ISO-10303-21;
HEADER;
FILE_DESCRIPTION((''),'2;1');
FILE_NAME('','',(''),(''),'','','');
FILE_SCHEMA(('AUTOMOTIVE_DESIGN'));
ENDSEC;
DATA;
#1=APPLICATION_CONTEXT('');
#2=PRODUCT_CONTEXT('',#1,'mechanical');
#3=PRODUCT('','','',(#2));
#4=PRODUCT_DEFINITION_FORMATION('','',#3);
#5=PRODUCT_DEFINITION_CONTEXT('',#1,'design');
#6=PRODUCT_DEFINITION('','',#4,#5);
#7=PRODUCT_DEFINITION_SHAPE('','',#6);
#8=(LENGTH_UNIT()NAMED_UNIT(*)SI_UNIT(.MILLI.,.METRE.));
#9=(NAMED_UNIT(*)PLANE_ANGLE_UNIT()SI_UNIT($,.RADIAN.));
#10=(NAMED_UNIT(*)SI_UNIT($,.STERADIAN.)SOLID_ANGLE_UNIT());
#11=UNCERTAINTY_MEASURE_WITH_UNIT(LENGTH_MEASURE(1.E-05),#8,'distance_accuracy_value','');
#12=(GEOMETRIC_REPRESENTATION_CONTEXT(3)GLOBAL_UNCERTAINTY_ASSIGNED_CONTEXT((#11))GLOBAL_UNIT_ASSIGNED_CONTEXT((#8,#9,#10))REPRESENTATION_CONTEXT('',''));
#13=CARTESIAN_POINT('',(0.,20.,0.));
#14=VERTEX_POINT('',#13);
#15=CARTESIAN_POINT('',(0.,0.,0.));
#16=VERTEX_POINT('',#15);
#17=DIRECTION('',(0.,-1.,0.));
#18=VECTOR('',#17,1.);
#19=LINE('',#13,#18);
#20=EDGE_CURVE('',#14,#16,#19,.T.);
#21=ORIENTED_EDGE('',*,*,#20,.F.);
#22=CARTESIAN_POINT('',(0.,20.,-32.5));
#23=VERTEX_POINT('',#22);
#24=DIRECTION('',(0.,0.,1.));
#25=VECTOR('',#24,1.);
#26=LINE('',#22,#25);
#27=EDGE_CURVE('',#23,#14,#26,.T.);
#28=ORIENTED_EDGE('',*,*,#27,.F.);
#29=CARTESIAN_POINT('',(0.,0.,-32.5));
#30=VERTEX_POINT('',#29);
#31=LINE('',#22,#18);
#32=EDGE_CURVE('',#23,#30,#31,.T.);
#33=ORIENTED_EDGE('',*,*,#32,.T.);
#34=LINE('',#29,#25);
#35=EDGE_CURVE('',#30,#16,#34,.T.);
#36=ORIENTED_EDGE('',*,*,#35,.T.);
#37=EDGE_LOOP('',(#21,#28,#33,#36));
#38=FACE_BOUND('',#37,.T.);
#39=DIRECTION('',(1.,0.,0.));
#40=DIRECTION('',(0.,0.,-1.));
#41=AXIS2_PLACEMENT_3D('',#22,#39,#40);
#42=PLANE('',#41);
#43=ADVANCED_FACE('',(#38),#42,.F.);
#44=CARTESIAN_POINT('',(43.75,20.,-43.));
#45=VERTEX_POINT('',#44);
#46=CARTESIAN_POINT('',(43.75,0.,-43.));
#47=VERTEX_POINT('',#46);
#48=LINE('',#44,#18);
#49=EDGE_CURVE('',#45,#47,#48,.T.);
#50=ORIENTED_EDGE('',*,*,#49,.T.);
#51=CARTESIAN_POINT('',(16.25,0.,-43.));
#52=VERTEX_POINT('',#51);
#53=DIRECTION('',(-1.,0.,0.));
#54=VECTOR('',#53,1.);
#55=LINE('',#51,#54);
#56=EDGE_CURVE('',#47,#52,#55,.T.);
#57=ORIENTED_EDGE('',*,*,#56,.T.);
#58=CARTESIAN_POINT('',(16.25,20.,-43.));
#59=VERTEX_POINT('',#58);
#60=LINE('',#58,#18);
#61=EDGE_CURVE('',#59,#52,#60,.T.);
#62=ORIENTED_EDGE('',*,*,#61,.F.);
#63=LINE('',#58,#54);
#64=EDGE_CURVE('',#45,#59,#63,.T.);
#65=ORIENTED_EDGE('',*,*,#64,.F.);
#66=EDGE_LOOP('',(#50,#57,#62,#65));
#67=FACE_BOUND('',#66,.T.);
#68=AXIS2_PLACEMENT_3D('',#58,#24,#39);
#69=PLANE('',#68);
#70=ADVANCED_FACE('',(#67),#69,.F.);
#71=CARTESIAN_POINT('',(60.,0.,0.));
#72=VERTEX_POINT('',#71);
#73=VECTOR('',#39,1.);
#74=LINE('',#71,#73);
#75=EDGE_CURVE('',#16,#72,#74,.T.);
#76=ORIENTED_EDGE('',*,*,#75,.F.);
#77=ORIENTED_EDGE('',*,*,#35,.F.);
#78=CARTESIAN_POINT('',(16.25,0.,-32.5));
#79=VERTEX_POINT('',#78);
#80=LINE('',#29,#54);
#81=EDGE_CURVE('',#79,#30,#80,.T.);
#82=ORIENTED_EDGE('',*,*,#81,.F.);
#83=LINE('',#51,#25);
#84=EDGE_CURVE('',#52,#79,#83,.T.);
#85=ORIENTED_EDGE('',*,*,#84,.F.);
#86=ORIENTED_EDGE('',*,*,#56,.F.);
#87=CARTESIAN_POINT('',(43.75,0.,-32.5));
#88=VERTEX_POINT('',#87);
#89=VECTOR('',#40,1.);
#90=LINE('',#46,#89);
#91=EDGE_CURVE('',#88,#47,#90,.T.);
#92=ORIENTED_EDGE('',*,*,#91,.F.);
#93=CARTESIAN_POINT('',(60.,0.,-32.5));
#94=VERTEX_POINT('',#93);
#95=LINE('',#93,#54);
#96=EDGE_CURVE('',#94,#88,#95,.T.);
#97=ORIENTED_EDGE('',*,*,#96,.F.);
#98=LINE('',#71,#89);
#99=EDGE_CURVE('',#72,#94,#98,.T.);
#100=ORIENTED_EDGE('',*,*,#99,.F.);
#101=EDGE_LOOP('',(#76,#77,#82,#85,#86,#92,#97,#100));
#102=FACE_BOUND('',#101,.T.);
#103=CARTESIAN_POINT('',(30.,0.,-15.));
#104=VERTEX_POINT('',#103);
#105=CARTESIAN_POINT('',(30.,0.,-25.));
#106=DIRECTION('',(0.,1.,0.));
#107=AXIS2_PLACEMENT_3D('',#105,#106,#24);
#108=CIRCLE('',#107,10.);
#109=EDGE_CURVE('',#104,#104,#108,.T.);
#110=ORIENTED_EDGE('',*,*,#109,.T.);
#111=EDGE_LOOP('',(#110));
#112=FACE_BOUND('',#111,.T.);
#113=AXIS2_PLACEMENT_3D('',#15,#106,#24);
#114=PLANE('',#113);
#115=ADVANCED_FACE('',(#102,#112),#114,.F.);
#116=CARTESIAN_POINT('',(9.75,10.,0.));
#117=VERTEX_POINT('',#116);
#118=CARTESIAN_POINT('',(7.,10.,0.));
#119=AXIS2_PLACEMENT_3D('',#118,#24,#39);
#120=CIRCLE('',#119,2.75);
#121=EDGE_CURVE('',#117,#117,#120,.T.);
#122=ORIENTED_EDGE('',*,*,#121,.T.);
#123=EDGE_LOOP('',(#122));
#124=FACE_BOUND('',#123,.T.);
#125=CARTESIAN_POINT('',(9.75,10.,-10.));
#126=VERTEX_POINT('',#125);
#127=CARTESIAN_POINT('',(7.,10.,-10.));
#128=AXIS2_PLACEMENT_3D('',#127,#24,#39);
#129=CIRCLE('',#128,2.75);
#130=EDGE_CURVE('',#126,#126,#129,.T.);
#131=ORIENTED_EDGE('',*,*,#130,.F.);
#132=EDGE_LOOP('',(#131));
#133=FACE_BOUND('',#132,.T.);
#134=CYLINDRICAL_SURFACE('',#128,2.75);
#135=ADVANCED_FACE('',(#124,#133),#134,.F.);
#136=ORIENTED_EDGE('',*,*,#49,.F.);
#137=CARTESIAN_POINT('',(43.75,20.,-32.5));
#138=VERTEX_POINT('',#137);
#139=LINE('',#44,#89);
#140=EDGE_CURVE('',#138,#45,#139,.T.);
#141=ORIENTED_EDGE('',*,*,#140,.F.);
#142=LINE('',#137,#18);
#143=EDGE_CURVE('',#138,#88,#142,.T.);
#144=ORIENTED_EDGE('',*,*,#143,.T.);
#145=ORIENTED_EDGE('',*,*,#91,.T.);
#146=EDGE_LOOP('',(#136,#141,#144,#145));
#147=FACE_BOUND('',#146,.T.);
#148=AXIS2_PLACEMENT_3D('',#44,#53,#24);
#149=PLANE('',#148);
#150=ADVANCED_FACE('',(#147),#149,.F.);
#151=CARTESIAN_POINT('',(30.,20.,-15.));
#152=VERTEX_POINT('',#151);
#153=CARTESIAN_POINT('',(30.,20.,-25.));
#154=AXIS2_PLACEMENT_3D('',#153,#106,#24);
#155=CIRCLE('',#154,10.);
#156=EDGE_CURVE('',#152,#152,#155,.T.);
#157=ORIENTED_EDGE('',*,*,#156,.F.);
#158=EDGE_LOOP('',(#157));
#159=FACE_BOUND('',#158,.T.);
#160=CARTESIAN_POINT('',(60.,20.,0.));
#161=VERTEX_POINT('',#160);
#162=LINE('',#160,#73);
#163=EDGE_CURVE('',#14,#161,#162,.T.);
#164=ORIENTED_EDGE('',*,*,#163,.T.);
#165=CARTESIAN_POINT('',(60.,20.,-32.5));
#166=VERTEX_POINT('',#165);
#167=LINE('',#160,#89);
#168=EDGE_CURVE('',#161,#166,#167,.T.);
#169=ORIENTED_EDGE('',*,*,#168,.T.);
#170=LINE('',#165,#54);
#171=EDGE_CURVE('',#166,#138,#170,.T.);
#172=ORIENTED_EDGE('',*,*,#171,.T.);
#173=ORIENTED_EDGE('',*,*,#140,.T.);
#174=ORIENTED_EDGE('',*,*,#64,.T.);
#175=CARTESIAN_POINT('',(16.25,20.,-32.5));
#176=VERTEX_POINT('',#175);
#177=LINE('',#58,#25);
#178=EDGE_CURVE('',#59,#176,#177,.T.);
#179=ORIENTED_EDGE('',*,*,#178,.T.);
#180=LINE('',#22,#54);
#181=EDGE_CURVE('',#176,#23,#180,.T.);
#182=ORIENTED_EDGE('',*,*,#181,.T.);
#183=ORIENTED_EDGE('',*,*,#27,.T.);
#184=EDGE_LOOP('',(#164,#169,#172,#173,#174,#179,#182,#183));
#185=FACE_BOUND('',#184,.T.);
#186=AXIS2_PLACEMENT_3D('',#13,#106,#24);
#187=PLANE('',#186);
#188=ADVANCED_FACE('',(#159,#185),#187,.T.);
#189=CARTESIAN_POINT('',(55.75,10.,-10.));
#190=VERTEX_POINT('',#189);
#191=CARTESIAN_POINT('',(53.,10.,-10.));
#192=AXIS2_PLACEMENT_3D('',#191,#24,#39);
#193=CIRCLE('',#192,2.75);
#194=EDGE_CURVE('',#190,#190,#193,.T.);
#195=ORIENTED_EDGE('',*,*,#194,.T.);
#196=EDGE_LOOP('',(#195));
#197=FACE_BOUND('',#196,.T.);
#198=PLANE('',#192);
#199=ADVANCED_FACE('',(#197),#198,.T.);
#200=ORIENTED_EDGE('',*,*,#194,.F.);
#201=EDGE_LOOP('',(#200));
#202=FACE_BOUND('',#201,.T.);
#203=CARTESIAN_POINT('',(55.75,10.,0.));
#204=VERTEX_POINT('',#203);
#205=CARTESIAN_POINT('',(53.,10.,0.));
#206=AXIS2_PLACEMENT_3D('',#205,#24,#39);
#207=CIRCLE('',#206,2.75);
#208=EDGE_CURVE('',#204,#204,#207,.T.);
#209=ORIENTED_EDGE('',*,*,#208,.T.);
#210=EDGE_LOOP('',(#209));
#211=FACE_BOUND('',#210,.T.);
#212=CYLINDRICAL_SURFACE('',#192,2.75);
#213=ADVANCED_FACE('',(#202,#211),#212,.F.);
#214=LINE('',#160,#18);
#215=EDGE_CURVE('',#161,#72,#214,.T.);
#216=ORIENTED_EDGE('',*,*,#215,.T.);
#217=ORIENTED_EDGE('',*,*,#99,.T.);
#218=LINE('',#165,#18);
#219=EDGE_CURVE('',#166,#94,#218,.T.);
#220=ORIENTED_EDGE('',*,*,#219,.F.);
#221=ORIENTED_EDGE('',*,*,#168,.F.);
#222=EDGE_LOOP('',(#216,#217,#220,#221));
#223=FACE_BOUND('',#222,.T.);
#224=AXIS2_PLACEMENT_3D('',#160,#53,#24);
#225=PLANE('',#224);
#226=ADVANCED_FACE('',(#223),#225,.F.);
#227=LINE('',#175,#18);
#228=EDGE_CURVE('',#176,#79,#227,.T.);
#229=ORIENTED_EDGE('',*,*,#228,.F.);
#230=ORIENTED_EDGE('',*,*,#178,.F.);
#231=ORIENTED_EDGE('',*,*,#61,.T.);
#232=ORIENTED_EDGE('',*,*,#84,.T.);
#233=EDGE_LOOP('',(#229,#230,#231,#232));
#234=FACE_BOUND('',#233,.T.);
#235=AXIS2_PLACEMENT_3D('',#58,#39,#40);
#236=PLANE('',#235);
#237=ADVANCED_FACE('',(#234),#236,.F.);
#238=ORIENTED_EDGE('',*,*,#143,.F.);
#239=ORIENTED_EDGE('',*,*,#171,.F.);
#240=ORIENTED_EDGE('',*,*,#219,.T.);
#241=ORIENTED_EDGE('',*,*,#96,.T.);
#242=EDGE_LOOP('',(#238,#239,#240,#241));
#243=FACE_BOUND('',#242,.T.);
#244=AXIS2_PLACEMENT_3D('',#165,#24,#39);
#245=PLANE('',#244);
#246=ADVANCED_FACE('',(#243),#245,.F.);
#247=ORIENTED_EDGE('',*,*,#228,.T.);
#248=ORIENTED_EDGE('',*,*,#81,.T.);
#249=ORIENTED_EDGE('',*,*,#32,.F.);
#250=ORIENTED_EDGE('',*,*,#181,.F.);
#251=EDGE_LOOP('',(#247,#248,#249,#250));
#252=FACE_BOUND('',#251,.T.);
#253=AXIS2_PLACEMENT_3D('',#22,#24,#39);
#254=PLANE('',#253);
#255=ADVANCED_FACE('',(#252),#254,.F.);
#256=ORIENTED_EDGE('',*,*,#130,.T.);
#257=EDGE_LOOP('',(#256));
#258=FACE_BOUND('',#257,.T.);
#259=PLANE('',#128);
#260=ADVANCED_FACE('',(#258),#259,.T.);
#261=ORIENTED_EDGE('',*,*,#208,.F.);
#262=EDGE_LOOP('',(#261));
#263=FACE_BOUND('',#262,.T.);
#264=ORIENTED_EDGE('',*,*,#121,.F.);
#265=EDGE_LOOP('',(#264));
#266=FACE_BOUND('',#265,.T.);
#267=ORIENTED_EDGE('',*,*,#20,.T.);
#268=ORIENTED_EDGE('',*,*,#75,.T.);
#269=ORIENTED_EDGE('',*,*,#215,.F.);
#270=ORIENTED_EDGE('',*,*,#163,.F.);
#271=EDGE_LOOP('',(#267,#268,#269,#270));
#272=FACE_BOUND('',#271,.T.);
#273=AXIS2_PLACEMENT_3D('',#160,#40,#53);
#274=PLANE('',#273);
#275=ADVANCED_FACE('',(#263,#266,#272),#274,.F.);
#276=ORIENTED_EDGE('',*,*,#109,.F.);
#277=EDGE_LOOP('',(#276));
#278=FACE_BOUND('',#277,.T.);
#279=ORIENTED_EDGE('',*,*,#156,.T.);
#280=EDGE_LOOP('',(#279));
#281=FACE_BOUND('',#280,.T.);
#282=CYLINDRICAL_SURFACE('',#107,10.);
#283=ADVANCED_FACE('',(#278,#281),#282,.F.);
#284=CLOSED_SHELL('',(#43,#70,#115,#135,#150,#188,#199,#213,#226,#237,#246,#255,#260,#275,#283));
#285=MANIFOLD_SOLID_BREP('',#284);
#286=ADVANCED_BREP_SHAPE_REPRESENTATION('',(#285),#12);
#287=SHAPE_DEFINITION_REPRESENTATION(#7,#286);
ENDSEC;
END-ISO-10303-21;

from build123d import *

# Parameters (mm, degrees)
BOSS_EXTRUDE1_DEPTH = 20
SKETCH2_R           = 10
CUT_EXTRUDE1_DEPTH  = 77.47875522
SKETCH6_R           = 2.75
CUT_EXTRUDE2_DEPTH  = 10


with BuildPart() as part:
    # Sketch1 → Boss-Extrude1 (new body)
    with BuildSketch(Plane(origin=(0, 0, 0), x_dir=(1, 0, 0), z_dir=(0, 1, 0))):
        Polygon((0, 32.5), (0, 0), (60, 0), (60, 32.5), (43.75, 32.5), (43.75, 43), (16.25, 43), (16.25, 32.5), align=None)
    extrude(amount=BOSS_EXTRUDE1_DEPTH)

    # Sketch2 → Cut-Extrude1 (cut, through all)
    with BuildSketch(Plane(origin=(0, 20, 0), x_dir=(1, 0, 0), z_dir=(0, 1, 0))):
        with Locations(Location((30, 25, 0), (0, 0, 270))):
            Circle(SKETCH2_R)
    extrude(amount=-CUT_EXTRUDE1_DEPTH, mode=Mode.SUBTRACT)

    # Sketch6 → Cut-Extrude2 (cut)
    with BuildSketch(Plane.XY):
        with Locations((7, 10)):
            Circle(SKETCH6_R)
        with Locations((53, 10)):
            Circle(SKETCH6_R)
    extrude(amount=-CUT_EXTRUDE2_DEPTH, mode=Mode.SUBTRACT)


solid = part.part
